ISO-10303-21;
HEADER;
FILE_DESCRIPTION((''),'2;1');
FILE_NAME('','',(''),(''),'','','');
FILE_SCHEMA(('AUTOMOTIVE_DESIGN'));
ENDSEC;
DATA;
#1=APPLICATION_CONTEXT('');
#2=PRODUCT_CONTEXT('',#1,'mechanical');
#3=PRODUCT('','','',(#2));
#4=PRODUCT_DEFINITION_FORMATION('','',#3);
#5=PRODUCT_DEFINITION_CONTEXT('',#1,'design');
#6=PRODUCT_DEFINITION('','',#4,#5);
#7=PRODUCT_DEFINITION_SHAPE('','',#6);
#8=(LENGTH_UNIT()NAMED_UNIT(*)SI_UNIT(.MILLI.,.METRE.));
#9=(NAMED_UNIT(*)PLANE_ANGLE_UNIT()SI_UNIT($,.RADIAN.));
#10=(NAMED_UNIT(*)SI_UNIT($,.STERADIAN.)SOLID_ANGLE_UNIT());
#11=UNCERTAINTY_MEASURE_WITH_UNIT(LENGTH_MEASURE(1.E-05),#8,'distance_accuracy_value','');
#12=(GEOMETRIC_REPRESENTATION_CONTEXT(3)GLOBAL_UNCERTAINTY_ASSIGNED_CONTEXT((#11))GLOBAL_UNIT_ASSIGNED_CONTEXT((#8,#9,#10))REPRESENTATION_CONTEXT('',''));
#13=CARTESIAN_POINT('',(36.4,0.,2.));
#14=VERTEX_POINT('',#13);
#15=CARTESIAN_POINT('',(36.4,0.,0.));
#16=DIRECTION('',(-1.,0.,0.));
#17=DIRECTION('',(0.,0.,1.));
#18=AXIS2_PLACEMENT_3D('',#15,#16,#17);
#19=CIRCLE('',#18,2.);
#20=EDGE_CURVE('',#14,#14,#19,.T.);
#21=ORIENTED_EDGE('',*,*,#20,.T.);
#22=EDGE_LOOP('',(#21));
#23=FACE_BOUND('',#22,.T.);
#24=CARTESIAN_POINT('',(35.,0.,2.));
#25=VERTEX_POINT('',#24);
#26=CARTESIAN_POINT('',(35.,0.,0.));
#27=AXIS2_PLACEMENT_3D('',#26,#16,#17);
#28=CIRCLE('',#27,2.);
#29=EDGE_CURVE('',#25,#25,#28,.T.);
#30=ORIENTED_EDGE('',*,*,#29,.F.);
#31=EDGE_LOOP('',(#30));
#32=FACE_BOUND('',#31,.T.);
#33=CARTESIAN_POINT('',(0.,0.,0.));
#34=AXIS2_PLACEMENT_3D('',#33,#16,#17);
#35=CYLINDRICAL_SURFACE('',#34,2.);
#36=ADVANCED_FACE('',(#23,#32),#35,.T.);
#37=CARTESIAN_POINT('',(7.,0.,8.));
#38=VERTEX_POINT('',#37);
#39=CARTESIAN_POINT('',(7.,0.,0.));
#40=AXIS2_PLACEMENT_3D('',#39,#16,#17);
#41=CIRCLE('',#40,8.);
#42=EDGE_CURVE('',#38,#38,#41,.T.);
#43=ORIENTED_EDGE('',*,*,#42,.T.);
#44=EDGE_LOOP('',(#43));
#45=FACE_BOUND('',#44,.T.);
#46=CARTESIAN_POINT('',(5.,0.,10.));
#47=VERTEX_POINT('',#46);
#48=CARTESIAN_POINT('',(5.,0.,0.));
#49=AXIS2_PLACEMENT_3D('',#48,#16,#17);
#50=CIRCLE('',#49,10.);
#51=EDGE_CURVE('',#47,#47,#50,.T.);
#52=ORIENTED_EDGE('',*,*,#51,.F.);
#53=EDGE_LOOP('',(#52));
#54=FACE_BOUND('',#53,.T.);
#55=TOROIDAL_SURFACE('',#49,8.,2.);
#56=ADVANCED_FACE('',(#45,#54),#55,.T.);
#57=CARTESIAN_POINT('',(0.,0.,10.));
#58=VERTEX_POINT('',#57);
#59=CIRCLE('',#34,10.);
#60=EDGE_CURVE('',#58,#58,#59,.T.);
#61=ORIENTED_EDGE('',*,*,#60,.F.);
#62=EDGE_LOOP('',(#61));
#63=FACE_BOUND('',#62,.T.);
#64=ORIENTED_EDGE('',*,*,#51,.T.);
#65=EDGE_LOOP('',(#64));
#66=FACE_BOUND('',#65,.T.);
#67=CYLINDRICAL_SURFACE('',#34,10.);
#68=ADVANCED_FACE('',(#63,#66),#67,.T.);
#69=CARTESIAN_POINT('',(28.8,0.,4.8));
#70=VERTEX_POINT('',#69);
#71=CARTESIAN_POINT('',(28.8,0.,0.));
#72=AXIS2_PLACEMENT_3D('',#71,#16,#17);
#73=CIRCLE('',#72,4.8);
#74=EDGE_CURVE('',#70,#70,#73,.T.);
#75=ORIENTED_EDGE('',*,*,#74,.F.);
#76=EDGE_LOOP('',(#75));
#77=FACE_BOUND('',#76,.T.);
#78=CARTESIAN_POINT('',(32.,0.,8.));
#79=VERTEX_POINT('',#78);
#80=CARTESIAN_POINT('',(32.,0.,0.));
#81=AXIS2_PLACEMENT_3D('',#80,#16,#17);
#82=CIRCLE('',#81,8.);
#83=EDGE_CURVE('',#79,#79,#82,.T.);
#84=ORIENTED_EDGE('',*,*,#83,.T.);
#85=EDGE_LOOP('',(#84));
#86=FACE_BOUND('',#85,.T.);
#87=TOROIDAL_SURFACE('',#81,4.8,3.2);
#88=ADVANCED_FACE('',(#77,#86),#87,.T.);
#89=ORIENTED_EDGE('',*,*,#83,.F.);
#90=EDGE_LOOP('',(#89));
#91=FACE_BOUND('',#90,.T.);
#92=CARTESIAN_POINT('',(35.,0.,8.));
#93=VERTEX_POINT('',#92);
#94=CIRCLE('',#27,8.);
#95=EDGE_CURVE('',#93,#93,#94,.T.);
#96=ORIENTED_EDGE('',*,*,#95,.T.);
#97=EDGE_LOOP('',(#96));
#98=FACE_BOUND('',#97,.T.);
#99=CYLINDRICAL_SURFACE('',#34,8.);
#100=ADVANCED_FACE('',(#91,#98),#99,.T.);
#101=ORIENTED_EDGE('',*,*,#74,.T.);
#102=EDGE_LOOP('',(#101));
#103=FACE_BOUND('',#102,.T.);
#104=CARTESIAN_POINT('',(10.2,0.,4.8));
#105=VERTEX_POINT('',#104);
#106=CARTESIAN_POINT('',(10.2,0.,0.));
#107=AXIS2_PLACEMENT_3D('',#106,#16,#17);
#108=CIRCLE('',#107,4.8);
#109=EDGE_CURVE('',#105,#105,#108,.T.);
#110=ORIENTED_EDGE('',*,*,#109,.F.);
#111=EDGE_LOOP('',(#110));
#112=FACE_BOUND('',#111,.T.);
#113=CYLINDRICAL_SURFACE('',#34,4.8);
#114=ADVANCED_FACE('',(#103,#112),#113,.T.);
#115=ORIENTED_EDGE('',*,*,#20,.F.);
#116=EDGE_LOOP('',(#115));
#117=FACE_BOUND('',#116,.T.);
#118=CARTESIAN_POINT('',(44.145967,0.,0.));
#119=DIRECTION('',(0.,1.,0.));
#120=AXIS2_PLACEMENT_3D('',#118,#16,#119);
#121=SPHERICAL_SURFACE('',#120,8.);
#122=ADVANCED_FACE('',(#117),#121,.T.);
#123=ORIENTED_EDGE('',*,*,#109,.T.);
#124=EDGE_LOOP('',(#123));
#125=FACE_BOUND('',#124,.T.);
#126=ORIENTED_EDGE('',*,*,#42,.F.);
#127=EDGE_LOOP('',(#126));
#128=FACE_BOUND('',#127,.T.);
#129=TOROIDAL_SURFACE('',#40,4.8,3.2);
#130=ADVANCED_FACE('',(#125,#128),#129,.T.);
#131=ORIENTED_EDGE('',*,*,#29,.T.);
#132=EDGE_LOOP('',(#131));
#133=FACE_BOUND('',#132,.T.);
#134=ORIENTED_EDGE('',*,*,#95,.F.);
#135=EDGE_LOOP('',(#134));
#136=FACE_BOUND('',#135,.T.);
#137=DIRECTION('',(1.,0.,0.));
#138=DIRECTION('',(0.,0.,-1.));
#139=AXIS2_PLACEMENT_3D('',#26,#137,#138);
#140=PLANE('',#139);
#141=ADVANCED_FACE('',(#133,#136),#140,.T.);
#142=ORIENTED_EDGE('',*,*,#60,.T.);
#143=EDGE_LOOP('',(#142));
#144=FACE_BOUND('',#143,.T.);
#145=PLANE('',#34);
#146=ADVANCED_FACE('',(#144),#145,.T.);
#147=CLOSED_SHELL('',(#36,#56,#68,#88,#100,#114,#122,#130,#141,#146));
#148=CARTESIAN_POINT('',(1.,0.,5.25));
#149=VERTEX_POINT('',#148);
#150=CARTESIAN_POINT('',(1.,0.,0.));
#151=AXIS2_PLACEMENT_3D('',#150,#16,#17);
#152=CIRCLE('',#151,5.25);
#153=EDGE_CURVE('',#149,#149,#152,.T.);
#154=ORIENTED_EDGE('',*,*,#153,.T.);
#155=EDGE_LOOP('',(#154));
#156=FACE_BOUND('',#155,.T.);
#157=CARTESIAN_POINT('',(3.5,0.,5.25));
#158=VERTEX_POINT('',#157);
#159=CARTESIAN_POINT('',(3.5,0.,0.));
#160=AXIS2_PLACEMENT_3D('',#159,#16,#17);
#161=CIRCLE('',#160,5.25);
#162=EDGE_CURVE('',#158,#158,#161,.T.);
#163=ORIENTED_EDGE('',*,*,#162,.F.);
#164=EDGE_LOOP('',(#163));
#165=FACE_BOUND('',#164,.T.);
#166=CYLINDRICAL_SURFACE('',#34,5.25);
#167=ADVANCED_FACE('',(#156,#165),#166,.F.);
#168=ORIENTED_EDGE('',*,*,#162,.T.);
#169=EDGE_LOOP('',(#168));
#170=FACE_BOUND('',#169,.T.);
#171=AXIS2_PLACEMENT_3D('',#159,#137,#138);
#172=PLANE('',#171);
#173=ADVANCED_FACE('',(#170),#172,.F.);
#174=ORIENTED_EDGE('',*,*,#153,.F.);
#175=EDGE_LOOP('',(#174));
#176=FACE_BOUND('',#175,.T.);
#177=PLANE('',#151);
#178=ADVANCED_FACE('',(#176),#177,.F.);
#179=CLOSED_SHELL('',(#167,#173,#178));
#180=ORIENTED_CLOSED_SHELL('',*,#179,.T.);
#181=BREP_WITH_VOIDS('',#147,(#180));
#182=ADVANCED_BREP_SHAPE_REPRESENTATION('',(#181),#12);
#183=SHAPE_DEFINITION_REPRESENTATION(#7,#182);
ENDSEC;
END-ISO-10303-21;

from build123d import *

# Parameters (mm, degrees)
SKETCH_1_W = 1.4
SKETCH_1_H = 2


with BuildPart() as part:
    # Эскиз1 → Повернуть8 (revolve)
    with BuildSketch(Plane.XY, mode=Mode.PRIVATE) as revolve_8_sk:
        with BuildLine():
            Line((28.8, 4.8), (10.2, 4.8))
            Line((10.2, 4.8), (10.2, 0))
            Line((10.2, 0), (32, 0))
            Line((32, 0), (32, 8))
            ThreePointArc((32, 8), (29.7372583, 7.0627417), (28.8, 4.8))
        make_face()
        with BuildLine():
            ThreePointArc((10.2, 4.8), (9.2627417, 7.0627417), (7, 8))
            Line((7, 8), (7, 0))
            Line((7, 0), (10.2, 0))
            Line((10.2, 0), (10.2, 4.8))
        make_face()
        with BuildLine():
            Line((0, 10), (0, 0))
            Line((0, 0), (1, 0))
            Line((1, 0), (1, 5.25))
            Line((1, 5.25), (3.5, 5.25))
            Line((3.5, 5.25), (3.5, 0))
            Line((3.5, 0), (7, 0))
            Line((7, 0), (7, 8))
            ThreePointArc((7, 8), (6.414213562, 9.414213562), (5, 10))
            Line((5, 10), (0, 10))
        make_face()
        Polygon((32, 8), (32, 0), (35, 0), (35, 2), (35, 8), align=None)
        with Locations((35.7, 1)):
            Rectangle(SKETCH_1_W, SKETCH_1_H)
        with BuildLine():
            Line((36.4, 2), (36.4, 0))
            Line((36.4, 0), (52.145966692, 0))
            ThreePointArc((52.145966692, 0), (45.154001032, 7.93623757), (36.4, 2))
        make_face()
    revolve(revolve_8_sk.sketch.rotate(Axis((0, 0, 0), (1, 0, 0)), 90), axis=Axis((0, 0, 0), (1, 0, 0)))


solid = part.part
